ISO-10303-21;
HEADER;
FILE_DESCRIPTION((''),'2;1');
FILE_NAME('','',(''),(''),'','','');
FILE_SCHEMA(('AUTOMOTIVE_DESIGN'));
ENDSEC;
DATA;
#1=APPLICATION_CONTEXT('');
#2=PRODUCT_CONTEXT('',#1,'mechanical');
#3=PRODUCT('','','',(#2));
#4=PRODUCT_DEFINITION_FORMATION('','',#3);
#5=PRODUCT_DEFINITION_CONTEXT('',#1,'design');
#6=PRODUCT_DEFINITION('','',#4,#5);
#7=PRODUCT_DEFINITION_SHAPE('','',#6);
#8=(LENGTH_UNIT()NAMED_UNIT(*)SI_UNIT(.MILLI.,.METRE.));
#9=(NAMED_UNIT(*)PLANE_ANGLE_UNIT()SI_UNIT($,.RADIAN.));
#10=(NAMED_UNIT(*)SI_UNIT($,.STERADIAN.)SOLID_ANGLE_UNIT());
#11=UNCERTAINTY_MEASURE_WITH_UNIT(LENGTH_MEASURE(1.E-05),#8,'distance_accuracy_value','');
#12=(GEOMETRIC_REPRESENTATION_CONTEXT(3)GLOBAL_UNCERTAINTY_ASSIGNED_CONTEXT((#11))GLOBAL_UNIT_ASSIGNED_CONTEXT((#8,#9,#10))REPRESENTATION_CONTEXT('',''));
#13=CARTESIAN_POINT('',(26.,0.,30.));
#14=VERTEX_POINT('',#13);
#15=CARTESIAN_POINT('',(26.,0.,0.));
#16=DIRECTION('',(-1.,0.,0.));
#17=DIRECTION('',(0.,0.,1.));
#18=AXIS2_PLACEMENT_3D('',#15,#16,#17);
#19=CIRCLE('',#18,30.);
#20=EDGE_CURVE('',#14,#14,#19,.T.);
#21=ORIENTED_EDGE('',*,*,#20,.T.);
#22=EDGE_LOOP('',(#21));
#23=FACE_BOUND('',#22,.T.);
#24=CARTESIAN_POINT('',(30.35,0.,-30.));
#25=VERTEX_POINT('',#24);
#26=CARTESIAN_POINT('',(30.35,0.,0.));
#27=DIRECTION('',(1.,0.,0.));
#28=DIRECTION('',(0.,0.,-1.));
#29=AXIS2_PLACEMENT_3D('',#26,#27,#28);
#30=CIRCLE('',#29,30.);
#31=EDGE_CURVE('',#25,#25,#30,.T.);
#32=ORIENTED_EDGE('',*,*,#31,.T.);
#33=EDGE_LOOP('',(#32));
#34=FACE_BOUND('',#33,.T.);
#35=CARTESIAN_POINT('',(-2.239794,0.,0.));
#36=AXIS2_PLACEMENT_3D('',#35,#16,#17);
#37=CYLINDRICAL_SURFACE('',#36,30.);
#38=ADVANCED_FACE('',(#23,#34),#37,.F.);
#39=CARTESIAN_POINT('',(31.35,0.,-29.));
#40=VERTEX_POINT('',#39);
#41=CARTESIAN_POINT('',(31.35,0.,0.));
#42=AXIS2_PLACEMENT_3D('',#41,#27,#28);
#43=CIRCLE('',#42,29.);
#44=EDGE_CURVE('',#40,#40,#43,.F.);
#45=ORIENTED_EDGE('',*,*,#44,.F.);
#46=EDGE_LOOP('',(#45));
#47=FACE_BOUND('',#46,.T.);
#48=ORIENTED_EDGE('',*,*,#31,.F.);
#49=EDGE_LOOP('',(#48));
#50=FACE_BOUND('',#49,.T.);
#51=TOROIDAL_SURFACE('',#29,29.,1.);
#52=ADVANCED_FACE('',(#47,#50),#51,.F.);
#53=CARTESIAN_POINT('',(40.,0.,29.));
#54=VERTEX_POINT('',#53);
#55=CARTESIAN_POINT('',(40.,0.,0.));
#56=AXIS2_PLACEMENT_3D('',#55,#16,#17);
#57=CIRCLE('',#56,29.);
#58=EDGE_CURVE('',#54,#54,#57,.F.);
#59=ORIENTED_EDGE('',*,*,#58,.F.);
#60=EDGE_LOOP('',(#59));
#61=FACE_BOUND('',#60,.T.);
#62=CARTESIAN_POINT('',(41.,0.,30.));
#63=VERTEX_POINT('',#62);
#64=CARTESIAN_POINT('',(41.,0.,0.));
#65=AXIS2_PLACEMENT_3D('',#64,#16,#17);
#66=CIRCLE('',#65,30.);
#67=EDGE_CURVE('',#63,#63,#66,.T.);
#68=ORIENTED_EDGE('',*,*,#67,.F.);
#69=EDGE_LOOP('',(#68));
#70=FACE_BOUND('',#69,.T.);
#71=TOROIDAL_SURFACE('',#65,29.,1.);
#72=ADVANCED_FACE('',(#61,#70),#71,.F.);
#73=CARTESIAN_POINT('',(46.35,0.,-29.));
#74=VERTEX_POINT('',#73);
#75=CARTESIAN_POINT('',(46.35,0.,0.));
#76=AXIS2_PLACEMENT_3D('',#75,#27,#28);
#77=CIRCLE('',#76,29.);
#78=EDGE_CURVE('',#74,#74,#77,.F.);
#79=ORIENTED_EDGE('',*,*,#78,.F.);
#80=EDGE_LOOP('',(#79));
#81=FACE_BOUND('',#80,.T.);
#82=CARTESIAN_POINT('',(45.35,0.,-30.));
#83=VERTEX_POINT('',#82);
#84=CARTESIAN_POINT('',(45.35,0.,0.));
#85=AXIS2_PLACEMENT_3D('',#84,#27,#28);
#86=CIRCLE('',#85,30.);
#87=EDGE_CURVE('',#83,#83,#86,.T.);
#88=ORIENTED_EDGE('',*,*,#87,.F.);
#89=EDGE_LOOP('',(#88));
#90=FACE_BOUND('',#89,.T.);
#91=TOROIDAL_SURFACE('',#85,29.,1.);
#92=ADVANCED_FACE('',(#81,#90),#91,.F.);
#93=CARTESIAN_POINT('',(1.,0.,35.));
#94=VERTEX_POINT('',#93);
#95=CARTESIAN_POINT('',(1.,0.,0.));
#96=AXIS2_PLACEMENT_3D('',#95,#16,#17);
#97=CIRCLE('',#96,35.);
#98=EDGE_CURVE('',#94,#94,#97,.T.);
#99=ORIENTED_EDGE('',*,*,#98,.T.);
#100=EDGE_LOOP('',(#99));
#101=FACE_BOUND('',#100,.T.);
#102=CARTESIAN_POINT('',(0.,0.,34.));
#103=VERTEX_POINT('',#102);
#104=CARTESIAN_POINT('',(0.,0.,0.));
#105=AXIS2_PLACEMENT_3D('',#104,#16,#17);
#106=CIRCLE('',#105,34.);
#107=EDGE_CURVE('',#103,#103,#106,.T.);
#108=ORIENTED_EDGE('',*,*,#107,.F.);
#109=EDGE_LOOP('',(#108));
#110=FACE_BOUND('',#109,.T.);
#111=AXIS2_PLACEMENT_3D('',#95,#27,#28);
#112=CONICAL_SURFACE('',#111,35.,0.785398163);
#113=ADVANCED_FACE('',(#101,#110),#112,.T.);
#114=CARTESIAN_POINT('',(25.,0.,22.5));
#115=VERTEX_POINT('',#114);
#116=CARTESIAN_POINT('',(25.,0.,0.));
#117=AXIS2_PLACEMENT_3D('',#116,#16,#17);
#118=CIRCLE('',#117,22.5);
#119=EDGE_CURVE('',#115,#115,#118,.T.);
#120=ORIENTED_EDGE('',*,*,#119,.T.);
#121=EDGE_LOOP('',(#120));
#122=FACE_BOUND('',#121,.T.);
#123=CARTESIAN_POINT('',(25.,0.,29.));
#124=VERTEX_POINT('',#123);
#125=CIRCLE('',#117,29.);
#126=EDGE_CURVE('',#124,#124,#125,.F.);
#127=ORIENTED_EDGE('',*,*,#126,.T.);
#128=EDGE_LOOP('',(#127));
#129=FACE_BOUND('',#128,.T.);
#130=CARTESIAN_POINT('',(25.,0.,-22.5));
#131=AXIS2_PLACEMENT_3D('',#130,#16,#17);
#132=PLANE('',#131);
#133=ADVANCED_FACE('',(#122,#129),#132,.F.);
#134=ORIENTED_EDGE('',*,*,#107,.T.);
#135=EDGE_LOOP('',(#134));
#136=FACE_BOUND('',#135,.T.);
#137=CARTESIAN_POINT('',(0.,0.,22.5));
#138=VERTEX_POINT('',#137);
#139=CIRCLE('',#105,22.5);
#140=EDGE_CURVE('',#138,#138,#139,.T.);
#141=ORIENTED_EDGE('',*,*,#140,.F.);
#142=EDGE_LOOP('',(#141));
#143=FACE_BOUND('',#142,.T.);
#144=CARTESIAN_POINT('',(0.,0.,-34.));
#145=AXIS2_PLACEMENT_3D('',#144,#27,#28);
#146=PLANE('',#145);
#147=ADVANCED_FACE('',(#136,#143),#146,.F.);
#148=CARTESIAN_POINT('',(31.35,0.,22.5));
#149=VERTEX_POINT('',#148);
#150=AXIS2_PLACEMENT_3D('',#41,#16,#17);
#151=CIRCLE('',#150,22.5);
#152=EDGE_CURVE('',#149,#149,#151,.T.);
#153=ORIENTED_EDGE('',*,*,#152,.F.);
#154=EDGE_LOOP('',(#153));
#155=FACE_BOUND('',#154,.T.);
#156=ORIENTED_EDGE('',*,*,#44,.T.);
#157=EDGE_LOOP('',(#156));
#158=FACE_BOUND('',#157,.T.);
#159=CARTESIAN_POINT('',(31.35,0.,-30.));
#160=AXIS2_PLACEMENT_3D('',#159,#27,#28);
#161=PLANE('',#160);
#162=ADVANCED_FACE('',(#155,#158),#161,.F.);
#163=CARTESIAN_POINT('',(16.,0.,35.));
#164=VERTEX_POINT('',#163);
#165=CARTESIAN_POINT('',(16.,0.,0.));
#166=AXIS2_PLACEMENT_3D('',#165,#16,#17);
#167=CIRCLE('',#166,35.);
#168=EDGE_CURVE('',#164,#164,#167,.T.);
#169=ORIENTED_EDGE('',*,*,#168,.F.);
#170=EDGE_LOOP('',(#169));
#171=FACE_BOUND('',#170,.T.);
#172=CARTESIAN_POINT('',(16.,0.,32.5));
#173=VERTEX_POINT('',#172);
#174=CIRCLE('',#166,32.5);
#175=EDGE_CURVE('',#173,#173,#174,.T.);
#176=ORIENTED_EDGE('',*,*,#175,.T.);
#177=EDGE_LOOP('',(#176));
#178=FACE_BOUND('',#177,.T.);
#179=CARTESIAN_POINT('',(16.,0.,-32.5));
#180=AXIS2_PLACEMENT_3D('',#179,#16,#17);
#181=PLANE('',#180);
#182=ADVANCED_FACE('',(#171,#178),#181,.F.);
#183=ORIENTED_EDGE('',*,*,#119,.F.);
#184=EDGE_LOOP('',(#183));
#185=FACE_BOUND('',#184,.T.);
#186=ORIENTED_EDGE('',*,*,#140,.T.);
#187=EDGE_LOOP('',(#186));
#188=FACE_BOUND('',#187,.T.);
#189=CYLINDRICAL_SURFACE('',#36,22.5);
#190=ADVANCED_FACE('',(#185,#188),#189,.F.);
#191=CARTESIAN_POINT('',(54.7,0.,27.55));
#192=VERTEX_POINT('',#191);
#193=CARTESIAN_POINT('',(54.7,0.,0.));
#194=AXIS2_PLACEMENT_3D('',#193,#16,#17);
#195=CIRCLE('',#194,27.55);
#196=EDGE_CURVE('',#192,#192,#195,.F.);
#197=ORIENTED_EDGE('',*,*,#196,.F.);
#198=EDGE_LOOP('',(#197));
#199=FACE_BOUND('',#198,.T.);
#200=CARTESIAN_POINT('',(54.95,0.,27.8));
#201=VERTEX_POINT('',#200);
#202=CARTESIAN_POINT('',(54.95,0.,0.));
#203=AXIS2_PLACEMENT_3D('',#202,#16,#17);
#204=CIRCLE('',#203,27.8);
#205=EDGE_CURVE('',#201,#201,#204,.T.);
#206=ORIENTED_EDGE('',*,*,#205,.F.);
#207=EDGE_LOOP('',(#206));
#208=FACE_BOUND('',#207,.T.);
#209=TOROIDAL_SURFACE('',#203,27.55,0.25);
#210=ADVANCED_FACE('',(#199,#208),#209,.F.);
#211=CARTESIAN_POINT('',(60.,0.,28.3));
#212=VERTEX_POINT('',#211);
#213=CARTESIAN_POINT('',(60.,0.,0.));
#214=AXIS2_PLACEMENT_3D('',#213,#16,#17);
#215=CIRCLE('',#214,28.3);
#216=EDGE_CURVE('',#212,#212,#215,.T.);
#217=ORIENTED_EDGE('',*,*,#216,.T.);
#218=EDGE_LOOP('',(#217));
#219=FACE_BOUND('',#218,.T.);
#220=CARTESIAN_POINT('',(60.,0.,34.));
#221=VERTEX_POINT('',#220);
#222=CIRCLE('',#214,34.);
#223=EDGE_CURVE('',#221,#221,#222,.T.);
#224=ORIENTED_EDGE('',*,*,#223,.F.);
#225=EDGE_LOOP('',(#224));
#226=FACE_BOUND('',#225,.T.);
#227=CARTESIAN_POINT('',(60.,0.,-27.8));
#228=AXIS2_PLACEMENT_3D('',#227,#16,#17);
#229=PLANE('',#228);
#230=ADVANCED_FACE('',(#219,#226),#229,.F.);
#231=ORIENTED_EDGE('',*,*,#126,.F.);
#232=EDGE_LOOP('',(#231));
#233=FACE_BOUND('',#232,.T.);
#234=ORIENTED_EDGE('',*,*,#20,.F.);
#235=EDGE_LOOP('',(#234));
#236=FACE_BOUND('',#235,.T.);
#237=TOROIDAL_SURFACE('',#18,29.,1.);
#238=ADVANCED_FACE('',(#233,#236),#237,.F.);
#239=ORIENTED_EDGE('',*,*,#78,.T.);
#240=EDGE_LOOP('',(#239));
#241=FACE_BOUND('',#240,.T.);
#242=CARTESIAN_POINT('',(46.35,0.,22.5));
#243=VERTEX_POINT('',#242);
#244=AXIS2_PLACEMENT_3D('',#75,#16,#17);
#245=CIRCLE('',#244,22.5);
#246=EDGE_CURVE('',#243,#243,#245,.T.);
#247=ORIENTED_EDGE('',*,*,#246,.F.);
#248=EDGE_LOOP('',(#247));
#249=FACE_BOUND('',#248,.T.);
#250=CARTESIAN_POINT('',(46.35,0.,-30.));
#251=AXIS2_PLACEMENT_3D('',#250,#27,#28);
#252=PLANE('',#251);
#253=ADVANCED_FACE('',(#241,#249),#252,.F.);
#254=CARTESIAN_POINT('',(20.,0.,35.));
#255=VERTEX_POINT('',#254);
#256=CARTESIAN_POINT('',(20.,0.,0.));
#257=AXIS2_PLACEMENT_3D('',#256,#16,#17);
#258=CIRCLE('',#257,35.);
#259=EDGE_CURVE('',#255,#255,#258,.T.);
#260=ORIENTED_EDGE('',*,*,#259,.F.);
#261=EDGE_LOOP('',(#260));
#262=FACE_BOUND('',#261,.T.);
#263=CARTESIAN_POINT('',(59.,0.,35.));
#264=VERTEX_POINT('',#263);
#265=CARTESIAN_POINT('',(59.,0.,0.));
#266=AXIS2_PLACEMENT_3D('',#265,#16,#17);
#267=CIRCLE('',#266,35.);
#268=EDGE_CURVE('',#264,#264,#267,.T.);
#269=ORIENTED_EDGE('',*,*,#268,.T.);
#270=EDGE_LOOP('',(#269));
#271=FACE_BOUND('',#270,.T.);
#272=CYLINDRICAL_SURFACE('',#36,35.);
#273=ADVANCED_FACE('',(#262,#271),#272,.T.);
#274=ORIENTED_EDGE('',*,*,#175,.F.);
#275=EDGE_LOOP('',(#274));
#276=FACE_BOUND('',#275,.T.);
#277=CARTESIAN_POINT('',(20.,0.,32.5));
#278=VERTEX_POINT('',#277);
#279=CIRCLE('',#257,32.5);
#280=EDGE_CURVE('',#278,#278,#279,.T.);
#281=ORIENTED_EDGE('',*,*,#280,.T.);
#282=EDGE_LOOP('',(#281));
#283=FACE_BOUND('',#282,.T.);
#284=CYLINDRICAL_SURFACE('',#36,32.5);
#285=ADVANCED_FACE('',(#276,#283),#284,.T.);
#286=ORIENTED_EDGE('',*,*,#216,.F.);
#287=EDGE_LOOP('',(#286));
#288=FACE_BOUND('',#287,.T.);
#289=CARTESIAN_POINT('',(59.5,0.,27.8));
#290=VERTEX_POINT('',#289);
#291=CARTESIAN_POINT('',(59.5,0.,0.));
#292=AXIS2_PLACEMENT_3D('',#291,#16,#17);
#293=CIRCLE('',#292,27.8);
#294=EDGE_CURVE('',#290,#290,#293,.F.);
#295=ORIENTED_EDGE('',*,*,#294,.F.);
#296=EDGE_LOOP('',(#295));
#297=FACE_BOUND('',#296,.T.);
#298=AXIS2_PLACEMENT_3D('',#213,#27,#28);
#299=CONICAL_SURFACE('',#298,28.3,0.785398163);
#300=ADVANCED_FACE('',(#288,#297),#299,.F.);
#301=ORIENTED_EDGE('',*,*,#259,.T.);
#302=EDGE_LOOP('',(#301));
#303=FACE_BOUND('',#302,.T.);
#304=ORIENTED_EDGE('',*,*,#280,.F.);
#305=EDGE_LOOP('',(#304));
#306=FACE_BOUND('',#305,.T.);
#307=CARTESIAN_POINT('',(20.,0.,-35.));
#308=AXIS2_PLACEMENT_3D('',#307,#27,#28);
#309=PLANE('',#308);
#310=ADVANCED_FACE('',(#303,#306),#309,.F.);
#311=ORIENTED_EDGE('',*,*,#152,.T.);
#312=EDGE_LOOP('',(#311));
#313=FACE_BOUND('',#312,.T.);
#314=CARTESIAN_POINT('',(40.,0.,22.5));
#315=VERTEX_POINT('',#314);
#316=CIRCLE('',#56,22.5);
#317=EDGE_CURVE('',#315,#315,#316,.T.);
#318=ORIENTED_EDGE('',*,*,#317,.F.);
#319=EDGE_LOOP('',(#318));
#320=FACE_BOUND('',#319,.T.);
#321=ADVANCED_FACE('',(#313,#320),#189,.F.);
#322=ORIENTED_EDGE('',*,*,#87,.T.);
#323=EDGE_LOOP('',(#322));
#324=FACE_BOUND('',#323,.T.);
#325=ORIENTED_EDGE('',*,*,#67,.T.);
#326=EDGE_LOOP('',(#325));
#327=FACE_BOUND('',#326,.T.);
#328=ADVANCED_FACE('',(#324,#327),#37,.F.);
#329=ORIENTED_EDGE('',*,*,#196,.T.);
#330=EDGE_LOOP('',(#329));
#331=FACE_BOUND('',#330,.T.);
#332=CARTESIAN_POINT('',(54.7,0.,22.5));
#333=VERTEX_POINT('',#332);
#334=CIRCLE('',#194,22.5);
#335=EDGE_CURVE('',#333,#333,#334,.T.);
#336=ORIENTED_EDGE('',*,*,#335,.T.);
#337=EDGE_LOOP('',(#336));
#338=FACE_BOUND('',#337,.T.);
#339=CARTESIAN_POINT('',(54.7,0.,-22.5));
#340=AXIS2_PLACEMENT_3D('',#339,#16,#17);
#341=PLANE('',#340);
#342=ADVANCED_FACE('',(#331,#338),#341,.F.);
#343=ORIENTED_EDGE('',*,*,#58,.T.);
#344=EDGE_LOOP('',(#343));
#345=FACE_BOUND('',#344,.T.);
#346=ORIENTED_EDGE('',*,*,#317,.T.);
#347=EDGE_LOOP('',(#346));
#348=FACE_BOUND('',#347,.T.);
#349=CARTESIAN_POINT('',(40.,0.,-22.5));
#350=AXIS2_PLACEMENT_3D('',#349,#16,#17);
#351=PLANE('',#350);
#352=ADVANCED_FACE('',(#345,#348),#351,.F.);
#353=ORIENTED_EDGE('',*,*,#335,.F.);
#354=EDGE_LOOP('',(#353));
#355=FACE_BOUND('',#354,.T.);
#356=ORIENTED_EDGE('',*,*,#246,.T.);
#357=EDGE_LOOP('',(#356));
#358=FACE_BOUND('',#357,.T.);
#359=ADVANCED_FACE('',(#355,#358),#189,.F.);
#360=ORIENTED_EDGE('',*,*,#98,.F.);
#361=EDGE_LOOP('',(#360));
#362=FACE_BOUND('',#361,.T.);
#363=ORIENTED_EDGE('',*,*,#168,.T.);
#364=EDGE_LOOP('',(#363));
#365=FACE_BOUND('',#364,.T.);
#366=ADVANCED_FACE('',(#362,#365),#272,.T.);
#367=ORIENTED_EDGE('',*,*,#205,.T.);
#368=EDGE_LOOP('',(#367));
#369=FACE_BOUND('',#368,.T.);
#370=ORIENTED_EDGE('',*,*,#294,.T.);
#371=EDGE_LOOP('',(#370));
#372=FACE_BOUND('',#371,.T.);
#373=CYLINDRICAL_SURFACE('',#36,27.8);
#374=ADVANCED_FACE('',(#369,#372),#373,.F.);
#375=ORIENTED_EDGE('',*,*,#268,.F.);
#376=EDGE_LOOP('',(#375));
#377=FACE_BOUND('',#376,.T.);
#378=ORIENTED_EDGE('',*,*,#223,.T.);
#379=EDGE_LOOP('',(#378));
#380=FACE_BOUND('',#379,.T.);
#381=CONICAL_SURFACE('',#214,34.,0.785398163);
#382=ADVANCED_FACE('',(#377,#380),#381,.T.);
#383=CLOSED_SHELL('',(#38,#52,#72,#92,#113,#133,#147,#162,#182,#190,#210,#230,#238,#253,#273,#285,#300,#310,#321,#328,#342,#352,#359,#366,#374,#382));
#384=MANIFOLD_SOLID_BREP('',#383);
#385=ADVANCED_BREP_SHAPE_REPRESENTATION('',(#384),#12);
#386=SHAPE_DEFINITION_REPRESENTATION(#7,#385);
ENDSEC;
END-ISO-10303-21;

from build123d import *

# Parameters (mm, degrees)
FILLET1_R     = 1
CHAMFER1_SIZE = 0.5
FILLET2_R     = 0.25


with BuildPart() as part:
    # Sketch1 → Revolve1 (revolve)
    with BuildSketch(Plane(origin=(0, 0, 0), x_dir=(1, 0, 0), z_dir=(0, 1, 0)), mode=Mode.PRIVATE) as revolve1_sk:
        Polygon((0, 22.5), (25, 22.5), (25, 30), (31.35, 30), (31.35, 22.5), (40, 22.5), (40, 30), (46.35, 30), (46.35, 22.5), (54.7, 22.5), (54.7, 27.8), (60, 27.8), (60, 34), (59, 35), (20, 35), (20, 32.5), (16, 32.5), (16, 35), (1, 35), (0, 34), align=None)
    revolve(revolve1_sk.sketch.rotate(Axis((-2.239793833, 0, 0), (1, 0, 0)), 180), axis=Axis((-2.239793833, 0, 0), (1, 0, 0)))

    # Fillet1
    fillet1_edges = [part.edges().sort_by_distance(p)[0] for p in [
        (46.35, 0, -30),
        (40, 0, -30),
        (31.35, 0, -30),
        (25, 0, -30),
    ]]
    fillet(fillet1_edges, radius=FILLET1_R)

    # Chamfer1
    chamfer1_edges = [part.edges().sort_by_distance(p)[0] for p in [
        (60, 0, -27.8),
    ]]
    chamfer(chamfer1_edges, length=CHAMFER1_SIZE)

    # Fillet2
    fillet2_edges = [part.edges().sort_by_distance(p)[0] for p in [
        (54.7, 0, -27.8),
    ]]
    fillet(fillet2_edges, radius=FILLET2_R)


solid = part.part
